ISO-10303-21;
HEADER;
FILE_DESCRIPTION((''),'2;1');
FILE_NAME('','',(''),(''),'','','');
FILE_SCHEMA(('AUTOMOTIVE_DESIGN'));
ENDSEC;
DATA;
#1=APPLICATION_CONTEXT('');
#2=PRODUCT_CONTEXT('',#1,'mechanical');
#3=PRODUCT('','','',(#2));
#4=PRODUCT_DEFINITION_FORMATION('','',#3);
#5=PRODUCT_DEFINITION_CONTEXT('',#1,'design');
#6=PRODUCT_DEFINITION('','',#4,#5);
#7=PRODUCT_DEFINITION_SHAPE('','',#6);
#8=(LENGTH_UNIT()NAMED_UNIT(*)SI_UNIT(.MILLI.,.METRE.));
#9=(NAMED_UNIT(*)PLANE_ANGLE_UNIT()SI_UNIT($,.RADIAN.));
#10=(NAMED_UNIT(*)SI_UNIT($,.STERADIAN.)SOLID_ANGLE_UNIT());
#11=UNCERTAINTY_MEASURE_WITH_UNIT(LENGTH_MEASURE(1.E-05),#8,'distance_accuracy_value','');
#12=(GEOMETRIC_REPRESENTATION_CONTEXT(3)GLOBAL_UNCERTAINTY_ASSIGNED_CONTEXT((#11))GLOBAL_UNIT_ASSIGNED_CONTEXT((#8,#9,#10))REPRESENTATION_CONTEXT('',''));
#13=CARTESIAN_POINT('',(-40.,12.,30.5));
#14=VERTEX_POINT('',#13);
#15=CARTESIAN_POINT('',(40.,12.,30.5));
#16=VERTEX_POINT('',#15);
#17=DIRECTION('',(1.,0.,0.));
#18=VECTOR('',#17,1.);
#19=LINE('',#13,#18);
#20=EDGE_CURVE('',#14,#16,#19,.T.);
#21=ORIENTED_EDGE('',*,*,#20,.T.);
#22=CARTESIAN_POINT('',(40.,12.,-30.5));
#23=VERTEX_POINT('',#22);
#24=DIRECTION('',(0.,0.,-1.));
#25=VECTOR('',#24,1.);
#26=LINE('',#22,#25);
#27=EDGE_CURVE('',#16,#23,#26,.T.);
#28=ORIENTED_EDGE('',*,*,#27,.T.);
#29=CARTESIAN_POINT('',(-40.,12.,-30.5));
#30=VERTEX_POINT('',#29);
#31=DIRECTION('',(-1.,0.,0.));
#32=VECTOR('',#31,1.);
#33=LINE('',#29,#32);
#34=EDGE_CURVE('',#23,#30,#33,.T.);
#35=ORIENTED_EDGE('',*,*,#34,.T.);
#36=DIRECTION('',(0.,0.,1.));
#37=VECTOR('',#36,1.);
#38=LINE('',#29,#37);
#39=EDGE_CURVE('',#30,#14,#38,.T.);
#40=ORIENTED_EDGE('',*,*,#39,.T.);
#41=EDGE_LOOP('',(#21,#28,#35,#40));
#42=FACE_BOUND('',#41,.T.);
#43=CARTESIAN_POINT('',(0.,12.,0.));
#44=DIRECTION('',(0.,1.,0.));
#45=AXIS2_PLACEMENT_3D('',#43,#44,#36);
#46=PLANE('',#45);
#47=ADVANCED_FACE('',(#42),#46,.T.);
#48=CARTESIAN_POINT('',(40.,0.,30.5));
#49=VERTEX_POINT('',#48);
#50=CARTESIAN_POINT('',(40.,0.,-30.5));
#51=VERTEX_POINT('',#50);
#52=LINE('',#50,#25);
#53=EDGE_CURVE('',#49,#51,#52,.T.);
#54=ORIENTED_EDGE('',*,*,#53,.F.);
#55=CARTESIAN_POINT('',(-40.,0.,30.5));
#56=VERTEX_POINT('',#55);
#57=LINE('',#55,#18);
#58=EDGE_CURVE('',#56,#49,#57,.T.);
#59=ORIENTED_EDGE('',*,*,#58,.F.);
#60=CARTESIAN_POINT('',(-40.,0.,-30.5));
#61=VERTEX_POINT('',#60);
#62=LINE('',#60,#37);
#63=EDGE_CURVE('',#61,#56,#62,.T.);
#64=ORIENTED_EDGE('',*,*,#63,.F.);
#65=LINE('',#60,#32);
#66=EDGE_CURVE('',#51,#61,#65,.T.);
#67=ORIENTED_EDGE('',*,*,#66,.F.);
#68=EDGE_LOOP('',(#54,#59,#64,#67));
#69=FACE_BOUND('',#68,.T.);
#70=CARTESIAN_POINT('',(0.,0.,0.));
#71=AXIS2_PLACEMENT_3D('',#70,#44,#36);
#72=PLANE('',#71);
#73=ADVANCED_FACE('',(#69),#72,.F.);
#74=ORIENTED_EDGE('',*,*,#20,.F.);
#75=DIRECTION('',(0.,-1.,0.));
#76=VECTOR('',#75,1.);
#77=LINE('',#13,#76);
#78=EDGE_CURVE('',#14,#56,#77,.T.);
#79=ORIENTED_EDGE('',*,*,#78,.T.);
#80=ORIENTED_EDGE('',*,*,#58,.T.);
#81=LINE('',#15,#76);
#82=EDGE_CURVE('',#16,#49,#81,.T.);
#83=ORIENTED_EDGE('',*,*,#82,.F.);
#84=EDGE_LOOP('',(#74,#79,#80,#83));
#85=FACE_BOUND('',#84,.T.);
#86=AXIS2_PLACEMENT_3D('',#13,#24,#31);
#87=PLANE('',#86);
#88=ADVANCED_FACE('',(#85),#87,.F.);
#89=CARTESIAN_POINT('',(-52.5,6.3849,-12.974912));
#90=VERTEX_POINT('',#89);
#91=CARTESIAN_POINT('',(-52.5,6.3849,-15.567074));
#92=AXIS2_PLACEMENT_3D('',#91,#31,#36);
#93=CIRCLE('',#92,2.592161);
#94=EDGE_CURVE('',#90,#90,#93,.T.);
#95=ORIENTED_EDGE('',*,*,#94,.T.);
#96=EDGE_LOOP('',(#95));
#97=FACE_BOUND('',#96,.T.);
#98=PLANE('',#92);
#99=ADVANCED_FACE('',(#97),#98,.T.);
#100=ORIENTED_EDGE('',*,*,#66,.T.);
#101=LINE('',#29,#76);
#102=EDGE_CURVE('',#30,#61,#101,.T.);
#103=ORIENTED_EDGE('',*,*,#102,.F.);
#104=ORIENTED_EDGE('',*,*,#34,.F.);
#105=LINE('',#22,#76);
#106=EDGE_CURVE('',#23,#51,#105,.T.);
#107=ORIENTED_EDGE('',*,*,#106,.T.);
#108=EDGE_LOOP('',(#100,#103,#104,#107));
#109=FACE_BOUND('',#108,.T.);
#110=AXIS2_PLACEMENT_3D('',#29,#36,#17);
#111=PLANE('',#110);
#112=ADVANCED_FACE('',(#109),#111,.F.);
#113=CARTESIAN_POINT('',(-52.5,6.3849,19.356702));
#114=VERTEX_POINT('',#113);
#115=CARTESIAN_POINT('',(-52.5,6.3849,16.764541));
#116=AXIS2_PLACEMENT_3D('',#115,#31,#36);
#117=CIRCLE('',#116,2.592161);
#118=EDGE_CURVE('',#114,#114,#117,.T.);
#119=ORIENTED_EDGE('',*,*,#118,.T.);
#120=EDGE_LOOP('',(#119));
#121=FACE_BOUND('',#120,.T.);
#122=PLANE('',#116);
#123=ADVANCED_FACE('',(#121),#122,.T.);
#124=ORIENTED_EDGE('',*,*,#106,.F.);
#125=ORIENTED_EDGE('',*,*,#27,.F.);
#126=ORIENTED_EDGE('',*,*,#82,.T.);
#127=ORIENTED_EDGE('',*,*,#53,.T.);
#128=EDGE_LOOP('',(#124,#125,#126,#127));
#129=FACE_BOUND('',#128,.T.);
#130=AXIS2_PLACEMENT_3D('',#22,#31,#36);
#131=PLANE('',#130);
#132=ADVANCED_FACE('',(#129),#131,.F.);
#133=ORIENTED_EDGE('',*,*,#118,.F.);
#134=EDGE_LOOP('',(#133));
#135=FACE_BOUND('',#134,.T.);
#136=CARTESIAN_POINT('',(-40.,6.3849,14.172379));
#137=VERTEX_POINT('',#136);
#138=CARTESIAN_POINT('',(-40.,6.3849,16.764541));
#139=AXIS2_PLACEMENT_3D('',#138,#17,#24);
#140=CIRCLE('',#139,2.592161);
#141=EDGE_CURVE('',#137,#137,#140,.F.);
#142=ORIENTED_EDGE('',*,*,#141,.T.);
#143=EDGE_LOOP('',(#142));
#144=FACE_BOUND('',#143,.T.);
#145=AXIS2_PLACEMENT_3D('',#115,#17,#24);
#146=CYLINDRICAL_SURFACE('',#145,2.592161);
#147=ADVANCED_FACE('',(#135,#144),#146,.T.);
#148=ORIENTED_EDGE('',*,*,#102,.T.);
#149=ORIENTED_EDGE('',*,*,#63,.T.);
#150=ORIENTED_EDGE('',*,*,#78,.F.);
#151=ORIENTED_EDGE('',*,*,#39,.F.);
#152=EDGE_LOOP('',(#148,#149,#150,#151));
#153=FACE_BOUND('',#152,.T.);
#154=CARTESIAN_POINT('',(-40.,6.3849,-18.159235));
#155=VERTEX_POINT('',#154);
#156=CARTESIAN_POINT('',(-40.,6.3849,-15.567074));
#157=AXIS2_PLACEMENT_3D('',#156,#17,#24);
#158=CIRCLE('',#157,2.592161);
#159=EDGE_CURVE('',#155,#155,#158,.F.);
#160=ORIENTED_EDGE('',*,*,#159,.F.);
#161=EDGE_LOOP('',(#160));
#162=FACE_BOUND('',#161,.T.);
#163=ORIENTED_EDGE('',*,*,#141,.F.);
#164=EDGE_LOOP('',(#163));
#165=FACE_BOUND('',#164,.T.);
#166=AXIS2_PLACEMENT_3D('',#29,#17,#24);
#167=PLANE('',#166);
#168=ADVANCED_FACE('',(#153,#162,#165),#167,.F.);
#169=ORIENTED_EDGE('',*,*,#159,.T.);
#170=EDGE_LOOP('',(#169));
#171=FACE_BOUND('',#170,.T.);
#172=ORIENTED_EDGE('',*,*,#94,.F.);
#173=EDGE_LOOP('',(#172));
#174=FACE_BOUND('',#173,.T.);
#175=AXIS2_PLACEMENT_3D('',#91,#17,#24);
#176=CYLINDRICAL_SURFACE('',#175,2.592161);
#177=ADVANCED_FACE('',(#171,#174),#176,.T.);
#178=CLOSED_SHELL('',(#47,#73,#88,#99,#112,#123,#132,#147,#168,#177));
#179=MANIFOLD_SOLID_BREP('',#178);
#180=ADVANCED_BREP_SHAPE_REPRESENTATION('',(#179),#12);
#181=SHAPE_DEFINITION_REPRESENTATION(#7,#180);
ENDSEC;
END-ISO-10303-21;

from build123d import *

# Parameters (mm, degrees)
SKETCH1_W           = 80
SKETCH1_H           = 61
BOSS_EXTRUDE1_DEPTH = 12
SKETCH2_R           = 2.592161368
BOSS_EXTRUDE2_DEPTH = 12.5


with BuildPart() as part:
    # Sketch1 → Boss-Extrude1 (new body)
    with BuildSketch(Plane(origin=(0, 0, 0), x_dir=(1, 0, 0), z_dir=(0, 1, 0))):
        Rectangle(SKETCH1_W, SKETCH1_H)
    extrude(amount=BOSS_EXTRUDE1_DEPTH)

    # Sketch2 → Boss-Extrude2 (add)
    with BuildSketch(Plane.ZY.offset(40)):
        with Locations((-15.567073505, 6.384900169)):
            Circle(SKETCH2_R)
        with Locations((16.764540698, 6.384900169)):
            Circle(SKETCH2_R)
    extrude(amount=BOSS_EXTRUDE2_DEPTH)


solid = part.part
